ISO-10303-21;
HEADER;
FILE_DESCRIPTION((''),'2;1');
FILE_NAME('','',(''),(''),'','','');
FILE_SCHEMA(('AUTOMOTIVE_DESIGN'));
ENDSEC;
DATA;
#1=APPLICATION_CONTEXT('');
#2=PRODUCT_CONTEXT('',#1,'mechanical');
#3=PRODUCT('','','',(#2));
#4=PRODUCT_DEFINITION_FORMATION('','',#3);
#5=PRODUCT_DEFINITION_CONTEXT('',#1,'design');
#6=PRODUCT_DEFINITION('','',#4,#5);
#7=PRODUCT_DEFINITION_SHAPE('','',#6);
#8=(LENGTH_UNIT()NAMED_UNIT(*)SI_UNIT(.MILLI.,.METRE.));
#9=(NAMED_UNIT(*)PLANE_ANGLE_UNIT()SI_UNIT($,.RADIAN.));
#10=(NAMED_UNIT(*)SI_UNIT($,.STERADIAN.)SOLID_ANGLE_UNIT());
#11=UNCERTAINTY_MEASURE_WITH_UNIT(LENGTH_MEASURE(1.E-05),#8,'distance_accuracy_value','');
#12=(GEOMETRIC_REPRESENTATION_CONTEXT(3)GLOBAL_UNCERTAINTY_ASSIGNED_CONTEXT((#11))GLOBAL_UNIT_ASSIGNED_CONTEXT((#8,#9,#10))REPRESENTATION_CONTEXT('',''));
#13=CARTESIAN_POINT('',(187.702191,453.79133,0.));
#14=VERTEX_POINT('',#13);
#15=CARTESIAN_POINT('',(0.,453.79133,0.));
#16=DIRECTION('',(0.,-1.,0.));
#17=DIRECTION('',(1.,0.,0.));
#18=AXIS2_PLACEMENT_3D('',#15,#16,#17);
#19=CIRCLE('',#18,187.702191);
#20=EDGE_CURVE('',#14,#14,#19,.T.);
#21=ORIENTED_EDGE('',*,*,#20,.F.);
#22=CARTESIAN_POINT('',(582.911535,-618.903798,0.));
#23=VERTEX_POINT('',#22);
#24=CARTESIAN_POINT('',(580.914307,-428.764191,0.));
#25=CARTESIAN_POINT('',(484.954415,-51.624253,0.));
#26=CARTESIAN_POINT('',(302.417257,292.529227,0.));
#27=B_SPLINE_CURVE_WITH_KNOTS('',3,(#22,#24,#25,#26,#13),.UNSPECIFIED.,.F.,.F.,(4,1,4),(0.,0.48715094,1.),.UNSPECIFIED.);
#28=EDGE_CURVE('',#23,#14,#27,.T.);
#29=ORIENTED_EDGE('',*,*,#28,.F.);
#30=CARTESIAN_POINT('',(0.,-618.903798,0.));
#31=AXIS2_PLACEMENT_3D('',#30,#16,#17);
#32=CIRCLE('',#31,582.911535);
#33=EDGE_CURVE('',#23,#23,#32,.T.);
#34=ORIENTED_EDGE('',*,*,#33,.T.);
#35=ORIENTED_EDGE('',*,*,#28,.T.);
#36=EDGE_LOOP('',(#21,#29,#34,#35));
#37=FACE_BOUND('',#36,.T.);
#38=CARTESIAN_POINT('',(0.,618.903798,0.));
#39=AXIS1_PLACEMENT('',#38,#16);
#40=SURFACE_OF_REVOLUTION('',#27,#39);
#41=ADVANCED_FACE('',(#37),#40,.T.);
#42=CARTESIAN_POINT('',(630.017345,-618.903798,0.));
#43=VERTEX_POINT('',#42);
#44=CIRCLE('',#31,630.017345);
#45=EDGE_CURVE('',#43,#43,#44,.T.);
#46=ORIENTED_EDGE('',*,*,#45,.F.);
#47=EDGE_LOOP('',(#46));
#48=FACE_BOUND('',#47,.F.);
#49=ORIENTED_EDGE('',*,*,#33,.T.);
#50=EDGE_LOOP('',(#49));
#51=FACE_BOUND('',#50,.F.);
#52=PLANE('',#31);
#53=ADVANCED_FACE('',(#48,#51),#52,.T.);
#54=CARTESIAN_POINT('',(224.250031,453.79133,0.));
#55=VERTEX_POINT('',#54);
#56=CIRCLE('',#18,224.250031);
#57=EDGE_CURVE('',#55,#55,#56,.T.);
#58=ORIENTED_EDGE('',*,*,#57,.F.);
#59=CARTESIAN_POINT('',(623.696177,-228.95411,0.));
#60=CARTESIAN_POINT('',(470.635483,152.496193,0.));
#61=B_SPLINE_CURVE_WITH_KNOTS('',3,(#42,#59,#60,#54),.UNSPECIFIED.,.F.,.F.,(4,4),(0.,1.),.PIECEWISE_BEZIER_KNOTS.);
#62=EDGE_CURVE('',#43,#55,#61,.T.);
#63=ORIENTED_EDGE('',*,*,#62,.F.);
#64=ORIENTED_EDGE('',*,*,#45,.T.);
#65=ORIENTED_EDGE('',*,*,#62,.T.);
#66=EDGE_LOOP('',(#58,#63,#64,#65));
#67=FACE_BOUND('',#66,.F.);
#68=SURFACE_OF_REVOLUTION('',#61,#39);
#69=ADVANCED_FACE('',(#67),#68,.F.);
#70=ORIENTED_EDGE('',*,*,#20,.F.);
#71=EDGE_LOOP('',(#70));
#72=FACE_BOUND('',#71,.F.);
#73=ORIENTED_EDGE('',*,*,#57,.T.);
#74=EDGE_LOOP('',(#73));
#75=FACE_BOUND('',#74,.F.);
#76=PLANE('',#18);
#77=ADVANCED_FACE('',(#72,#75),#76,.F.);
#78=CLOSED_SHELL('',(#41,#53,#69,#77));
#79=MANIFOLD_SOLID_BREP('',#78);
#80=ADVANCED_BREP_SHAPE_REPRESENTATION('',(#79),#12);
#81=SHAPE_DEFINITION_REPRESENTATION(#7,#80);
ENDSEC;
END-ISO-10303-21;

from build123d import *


with BuildPart() as part:
    # Sketch1 → Revolve1 (revolve)
    with BuildSketch(Plane.XY):
        with BuildLine():
            Line((582.911535347, -618.903798344), (630.017345311, -618.903798344))
            add(Edge.make_bspline(
                [(630.017345311, -618.903798344), (623.696176871, -228.954110172), (470.635483281, 152.49619255), (224.250030749, 453.791329838)],
                knots=[0, 0, 0, 0, 1, 1, 1, 1], degree=3))
            Line((224.250030749, 453.791329838), (187.702191418, 453.791329838))
            add(Edge.make_bspline(
                [(582.911535347, -618.903798344), (580.914306618, -428.76419103), (484.954415106, -51.624253025), (302.417257488, 292.529227403), (187.702191418, 453.791329838)],
                knots=[0, 0, 0, 0, 0.48715094, 1, 1, 1, 1], degree=3))
        make_face()
    revolve(axis=Axis((0, 618.903798344, 0), (0, -1, 0)))


solid = part.part
